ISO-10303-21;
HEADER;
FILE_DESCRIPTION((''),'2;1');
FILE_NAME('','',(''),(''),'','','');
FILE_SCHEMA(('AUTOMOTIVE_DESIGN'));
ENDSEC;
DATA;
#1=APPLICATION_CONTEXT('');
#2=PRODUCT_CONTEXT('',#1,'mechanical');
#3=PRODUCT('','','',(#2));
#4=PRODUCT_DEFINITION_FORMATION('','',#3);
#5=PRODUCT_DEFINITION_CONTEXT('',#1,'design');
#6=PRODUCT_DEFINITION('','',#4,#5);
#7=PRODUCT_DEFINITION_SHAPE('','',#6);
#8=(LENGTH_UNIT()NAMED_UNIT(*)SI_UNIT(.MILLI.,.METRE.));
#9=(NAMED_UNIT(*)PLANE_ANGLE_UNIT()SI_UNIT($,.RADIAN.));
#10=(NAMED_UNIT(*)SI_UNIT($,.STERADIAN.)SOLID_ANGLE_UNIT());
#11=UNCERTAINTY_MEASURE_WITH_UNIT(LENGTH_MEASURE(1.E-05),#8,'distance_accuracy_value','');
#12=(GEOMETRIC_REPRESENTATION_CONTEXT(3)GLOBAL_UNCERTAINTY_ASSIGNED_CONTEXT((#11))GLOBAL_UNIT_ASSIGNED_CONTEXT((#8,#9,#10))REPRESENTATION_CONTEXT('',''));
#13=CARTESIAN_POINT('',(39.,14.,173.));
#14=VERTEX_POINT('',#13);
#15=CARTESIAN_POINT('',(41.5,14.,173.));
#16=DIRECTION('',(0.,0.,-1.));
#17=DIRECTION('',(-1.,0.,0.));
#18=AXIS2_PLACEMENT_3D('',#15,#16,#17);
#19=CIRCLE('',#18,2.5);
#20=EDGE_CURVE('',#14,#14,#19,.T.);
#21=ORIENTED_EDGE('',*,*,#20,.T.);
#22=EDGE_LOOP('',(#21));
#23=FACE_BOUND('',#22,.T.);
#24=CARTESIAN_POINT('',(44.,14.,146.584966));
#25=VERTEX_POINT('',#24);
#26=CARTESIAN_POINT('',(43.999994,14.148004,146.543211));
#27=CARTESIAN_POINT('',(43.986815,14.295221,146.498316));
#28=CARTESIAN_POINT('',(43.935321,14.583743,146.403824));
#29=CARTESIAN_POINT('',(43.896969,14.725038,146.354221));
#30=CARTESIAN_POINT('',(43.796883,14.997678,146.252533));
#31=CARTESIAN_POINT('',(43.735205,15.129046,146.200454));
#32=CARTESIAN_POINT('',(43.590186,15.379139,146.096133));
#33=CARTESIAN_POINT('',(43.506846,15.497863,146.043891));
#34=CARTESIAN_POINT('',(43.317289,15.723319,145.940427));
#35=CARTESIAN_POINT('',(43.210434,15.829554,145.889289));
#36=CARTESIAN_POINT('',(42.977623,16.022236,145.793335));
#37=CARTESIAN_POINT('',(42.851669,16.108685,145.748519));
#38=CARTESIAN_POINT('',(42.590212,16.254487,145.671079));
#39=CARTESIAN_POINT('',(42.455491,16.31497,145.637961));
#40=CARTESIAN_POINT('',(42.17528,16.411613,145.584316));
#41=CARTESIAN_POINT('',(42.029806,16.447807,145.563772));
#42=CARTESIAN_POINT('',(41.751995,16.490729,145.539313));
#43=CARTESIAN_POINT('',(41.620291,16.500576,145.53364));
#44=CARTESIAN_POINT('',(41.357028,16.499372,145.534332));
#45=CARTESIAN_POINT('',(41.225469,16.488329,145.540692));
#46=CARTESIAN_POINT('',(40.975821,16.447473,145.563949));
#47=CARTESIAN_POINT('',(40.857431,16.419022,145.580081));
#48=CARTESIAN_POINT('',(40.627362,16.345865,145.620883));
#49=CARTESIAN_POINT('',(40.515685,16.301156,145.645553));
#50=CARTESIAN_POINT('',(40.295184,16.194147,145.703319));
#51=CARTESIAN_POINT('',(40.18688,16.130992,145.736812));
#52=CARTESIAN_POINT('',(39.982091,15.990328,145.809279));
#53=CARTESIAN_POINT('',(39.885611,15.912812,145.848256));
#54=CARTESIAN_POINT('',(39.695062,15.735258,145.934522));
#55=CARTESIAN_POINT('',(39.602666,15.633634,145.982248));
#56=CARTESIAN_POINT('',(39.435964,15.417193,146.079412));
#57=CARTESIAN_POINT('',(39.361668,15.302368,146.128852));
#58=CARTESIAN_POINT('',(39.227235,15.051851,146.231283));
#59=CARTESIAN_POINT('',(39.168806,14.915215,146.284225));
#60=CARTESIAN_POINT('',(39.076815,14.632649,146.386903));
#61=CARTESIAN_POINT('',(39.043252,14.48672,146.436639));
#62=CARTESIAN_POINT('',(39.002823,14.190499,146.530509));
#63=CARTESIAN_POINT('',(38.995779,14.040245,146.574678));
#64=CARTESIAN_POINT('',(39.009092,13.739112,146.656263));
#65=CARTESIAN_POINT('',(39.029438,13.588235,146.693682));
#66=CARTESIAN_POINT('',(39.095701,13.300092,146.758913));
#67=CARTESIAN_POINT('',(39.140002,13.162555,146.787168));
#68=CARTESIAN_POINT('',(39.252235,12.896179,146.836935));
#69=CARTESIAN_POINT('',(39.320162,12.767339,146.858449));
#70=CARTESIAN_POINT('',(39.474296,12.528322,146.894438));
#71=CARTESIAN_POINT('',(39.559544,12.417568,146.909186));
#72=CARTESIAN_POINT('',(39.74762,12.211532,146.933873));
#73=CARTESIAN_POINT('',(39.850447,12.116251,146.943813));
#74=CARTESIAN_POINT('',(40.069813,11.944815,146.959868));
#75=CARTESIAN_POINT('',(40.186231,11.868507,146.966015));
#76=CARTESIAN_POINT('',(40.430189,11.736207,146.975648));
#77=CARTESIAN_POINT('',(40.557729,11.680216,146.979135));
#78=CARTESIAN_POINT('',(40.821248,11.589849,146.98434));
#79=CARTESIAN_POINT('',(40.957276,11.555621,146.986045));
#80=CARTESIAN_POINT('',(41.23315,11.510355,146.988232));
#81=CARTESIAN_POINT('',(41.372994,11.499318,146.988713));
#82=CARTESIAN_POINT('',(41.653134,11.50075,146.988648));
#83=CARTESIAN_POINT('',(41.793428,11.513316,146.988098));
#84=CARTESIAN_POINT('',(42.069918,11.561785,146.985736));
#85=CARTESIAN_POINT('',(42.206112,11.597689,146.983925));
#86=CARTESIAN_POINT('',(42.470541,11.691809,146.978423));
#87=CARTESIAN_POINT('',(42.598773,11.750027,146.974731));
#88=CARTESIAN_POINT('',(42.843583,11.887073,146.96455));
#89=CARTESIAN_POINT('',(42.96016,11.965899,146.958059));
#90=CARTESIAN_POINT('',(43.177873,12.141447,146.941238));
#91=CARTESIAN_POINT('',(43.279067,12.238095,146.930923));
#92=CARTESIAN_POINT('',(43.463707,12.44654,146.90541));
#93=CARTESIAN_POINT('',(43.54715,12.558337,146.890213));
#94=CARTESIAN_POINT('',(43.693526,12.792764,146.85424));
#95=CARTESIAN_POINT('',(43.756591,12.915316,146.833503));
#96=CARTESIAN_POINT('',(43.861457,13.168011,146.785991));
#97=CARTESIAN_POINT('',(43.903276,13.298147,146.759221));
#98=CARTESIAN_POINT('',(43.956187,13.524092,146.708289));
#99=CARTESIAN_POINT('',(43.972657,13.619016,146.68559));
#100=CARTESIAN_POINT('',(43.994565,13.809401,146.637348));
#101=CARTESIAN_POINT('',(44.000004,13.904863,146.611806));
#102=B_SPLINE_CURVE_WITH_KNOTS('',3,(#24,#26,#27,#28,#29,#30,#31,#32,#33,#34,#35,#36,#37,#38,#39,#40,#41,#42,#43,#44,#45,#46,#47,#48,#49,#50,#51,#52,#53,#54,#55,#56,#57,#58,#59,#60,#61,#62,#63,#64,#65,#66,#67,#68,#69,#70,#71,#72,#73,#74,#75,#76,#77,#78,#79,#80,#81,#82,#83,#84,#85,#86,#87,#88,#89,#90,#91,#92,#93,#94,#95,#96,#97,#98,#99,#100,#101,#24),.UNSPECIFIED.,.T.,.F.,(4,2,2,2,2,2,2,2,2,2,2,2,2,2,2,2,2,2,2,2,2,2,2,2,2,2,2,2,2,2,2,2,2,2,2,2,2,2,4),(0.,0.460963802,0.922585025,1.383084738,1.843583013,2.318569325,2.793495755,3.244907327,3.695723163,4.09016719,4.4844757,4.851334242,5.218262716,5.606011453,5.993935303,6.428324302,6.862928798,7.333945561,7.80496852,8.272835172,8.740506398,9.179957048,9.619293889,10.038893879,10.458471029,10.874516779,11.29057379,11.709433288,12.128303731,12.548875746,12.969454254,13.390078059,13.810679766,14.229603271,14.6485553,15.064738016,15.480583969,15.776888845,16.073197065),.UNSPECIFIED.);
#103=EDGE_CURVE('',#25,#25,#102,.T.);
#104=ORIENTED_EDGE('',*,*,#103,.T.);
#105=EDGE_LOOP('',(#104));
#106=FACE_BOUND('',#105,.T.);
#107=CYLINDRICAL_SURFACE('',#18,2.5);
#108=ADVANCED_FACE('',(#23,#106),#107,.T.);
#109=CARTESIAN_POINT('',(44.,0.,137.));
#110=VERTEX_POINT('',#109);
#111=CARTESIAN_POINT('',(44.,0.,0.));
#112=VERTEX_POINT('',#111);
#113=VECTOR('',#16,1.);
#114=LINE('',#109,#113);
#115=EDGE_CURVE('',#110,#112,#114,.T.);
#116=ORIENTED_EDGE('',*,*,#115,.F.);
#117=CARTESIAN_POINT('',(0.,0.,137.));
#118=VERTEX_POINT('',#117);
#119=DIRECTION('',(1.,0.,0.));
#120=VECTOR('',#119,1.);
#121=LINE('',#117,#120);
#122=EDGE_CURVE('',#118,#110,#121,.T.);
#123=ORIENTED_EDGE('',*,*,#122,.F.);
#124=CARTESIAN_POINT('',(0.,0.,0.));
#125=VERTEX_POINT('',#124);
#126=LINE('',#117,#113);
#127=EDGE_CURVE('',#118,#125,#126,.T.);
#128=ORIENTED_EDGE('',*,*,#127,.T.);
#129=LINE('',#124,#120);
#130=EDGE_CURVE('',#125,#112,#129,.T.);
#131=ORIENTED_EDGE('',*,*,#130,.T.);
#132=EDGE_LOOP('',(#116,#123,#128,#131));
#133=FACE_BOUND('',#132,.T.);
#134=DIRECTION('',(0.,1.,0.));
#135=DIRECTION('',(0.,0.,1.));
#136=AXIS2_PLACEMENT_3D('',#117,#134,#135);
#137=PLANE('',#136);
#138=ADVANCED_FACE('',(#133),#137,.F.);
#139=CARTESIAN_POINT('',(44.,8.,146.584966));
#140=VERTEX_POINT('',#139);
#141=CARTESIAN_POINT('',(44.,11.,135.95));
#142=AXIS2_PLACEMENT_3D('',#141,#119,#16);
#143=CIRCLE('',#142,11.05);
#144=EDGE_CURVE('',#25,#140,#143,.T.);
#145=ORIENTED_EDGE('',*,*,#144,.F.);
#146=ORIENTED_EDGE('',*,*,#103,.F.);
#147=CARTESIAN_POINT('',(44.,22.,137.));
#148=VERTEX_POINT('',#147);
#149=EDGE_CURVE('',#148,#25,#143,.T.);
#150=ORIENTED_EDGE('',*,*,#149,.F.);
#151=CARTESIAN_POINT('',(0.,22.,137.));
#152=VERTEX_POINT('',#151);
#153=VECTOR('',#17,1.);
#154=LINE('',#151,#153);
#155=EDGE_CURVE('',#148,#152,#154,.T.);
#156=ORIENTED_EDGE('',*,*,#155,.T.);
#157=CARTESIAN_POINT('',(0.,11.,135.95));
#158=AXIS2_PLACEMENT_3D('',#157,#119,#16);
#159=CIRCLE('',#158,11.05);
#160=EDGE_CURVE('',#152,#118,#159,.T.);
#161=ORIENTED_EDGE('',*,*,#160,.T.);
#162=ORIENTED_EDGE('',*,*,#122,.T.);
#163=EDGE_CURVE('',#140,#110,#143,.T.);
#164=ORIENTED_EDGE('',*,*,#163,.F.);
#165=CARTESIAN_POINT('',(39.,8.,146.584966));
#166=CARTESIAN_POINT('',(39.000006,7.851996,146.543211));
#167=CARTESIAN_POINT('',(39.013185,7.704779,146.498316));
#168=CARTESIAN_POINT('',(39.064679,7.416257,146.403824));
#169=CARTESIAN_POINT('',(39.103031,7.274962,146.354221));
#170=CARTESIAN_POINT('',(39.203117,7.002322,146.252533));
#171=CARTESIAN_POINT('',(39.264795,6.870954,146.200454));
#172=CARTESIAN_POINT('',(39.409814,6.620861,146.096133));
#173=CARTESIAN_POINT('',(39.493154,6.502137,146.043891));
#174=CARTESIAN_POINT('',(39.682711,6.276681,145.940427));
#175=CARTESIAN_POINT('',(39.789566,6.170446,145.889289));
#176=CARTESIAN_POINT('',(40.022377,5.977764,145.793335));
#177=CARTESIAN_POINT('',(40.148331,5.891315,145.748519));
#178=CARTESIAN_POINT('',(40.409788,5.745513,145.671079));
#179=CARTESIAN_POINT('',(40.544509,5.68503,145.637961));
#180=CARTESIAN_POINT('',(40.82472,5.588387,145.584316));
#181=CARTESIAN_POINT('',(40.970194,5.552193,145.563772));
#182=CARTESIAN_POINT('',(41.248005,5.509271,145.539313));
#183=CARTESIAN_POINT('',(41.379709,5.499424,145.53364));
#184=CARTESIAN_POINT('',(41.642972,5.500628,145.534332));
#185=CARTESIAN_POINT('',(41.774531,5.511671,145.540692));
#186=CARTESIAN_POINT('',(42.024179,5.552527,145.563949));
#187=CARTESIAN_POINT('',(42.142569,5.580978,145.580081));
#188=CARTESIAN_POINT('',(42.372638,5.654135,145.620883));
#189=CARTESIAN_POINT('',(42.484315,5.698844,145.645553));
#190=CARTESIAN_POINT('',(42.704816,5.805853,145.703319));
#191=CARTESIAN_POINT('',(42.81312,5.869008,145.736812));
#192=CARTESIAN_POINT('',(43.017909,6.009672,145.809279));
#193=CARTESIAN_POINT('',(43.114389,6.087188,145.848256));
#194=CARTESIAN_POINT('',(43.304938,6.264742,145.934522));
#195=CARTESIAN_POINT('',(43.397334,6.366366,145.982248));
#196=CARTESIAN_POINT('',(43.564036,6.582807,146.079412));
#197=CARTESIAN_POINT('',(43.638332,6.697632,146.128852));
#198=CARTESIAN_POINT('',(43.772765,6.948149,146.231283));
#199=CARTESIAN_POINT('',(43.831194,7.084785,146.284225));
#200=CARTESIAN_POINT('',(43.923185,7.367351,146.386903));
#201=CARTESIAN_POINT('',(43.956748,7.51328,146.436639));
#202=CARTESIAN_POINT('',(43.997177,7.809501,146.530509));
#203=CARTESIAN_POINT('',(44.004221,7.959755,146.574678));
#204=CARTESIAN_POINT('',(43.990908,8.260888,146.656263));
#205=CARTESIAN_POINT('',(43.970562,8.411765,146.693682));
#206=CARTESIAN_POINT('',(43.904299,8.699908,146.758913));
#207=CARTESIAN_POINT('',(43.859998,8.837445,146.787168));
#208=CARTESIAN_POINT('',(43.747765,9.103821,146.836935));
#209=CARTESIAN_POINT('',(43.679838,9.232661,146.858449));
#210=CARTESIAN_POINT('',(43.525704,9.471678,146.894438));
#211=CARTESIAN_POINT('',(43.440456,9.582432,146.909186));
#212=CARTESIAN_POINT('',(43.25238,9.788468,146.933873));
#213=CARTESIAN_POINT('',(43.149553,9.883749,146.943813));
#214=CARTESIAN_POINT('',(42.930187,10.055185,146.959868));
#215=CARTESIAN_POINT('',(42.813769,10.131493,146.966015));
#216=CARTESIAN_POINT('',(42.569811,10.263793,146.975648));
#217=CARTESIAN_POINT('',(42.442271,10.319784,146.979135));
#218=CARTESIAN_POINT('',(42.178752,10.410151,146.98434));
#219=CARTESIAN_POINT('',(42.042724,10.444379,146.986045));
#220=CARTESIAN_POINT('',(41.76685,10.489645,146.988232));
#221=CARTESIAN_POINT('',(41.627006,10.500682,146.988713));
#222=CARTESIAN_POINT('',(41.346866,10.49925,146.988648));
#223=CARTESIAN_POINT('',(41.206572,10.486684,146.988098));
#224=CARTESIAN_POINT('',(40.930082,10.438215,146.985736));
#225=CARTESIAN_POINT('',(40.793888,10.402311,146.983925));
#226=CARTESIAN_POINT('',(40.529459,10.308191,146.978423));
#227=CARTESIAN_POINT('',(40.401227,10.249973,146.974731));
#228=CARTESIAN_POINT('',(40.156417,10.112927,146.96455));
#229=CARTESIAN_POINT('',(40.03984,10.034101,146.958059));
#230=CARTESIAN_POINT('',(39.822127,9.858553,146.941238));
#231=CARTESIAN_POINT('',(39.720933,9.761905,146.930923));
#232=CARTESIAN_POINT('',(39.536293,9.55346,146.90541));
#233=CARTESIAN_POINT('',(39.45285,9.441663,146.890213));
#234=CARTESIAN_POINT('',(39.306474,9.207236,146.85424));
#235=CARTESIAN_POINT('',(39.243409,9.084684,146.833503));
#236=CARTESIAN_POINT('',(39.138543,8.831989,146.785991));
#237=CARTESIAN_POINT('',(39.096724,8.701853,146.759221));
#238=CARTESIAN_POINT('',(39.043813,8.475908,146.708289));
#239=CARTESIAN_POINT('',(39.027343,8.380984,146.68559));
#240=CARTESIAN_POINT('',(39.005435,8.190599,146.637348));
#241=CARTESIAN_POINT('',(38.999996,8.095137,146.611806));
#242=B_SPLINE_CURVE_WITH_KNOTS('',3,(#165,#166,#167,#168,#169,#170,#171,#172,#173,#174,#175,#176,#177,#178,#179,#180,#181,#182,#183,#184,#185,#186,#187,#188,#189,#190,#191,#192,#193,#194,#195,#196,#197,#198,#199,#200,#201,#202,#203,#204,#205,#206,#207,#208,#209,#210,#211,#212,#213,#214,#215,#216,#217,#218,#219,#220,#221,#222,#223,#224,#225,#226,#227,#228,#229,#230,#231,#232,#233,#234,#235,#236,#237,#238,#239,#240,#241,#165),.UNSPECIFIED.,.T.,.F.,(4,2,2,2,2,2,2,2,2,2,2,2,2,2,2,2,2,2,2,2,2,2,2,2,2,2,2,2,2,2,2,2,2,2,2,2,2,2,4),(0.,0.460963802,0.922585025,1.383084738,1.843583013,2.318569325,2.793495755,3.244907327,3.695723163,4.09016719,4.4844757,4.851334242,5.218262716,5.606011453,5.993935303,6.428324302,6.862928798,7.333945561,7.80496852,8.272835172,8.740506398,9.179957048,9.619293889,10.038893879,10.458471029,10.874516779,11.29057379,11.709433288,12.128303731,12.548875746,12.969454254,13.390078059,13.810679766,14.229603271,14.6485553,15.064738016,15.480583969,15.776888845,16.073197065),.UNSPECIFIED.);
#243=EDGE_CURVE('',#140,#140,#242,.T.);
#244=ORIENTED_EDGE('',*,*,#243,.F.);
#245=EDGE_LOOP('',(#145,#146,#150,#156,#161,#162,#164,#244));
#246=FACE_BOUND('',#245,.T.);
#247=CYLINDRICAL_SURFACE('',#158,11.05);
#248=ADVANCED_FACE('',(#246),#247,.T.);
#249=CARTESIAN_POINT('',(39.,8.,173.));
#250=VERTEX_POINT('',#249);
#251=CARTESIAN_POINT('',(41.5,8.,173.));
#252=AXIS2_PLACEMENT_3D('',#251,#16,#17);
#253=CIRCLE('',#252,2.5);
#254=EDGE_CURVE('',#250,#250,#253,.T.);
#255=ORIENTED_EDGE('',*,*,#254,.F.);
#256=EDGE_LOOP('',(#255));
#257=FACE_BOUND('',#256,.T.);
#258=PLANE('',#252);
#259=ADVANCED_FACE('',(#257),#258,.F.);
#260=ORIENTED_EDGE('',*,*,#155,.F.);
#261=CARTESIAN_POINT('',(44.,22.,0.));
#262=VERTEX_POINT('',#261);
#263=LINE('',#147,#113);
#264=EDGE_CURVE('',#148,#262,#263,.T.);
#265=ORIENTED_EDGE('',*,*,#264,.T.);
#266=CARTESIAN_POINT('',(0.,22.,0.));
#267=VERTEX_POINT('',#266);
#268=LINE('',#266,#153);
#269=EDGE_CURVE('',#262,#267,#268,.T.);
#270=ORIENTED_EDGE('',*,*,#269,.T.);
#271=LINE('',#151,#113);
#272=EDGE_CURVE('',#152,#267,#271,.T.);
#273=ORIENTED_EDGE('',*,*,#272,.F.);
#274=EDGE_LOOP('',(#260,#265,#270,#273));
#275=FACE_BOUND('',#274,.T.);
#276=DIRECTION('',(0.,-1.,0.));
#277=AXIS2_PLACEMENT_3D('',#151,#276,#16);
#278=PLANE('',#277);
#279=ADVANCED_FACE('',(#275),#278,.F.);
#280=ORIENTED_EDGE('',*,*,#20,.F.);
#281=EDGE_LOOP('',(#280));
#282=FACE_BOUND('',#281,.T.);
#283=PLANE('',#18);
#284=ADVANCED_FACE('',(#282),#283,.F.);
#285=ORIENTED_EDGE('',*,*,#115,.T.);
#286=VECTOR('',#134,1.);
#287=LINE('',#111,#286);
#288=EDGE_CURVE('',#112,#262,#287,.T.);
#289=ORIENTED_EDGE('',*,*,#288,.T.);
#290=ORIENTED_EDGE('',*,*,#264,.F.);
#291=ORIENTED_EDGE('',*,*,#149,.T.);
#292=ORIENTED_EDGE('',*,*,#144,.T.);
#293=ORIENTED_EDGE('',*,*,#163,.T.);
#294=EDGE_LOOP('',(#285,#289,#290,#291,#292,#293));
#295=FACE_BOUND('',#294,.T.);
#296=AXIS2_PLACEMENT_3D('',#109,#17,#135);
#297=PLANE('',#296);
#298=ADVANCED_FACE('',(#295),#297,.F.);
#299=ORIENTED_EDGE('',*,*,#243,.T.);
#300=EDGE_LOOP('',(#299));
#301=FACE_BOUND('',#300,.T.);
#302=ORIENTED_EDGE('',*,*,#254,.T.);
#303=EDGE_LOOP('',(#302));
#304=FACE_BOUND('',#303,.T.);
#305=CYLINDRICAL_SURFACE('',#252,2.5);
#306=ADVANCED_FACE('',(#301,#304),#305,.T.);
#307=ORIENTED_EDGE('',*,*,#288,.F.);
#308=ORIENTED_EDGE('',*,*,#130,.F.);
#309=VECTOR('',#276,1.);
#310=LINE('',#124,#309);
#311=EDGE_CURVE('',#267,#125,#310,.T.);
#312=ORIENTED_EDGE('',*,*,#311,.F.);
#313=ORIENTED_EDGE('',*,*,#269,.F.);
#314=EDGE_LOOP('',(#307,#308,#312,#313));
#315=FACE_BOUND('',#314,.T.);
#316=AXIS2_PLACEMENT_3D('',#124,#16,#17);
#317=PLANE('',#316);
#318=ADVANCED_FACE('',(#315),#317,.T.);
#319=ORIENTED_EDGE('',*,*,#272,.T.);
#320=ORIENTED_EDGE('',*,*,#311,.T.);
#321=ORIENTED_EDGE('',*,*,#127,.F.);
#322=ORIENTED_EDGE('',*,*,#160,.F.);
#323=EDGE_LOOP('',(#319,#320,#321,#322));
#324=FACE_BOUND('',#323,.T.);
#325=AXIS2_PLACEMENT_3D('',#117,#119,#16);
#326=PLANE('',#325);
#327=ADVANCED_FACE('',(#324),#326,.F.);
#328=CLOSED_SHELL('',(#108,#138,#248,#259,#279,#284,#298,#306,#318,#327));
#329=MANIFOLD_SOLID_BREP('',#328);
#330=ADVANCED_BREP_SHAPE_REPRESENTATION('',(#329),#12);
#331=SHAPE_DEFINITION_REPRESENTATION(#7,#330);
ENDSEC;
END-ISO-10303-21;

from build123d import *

# Parameters (mm, degrees)
ESQUISSE1_W        = 44
ESQUISSE1_H        = 22
BOSS_EXTRU_1_DEPTH = 137
BOSS_EXTRU_2_DEPTH = 44
ESQUISSE3_R        = 2.5
BOSS_EXTRU_3_DEPTH = 173


with BuildPart() as part:
    # Esquisse1 → Boss.-Extru.1 (new body)
    with BuildSketch(Plane.XY):
        with Locations((22, 11)):
            Rectangle(ESQUISSE1_W, ESQUISSE1_H)
    extrude(amount=BOSS_EXTRU_1_DEPTH)

    # Esquisse2 → Boss.-Extru.2 (add)
    with BuildSketch(Plane(origin=(44, 0, 0), x_dir=(0, 0, -1), z_dir=(1, 0, 0))):
        with BuildLine():
            Line((-137, 22), (-137, 0))
            ThreePointArc((-137, 0), (-147, 11), (-137, 22))
        make_face()
    extrude(amount=-BOSS_EXTRU_2_DEPTH)

    # Esquisse3 → Boss.-Extru.3 (add)
    with BuildSketch(Plane(origin=(0, 0, 0), x_dir=(-1, 0, 0), z_dir=(0, 0, -1))):
        with Locations((-41.5, 14)):
            Circle(ESQUISSE3_R)
        with Locations((-41.5, 8)):
            Circle(ESQUISSE3_R)
    extrude(amount=-BOSS_EXTRU_3_DEPTH)


solid = part.part
